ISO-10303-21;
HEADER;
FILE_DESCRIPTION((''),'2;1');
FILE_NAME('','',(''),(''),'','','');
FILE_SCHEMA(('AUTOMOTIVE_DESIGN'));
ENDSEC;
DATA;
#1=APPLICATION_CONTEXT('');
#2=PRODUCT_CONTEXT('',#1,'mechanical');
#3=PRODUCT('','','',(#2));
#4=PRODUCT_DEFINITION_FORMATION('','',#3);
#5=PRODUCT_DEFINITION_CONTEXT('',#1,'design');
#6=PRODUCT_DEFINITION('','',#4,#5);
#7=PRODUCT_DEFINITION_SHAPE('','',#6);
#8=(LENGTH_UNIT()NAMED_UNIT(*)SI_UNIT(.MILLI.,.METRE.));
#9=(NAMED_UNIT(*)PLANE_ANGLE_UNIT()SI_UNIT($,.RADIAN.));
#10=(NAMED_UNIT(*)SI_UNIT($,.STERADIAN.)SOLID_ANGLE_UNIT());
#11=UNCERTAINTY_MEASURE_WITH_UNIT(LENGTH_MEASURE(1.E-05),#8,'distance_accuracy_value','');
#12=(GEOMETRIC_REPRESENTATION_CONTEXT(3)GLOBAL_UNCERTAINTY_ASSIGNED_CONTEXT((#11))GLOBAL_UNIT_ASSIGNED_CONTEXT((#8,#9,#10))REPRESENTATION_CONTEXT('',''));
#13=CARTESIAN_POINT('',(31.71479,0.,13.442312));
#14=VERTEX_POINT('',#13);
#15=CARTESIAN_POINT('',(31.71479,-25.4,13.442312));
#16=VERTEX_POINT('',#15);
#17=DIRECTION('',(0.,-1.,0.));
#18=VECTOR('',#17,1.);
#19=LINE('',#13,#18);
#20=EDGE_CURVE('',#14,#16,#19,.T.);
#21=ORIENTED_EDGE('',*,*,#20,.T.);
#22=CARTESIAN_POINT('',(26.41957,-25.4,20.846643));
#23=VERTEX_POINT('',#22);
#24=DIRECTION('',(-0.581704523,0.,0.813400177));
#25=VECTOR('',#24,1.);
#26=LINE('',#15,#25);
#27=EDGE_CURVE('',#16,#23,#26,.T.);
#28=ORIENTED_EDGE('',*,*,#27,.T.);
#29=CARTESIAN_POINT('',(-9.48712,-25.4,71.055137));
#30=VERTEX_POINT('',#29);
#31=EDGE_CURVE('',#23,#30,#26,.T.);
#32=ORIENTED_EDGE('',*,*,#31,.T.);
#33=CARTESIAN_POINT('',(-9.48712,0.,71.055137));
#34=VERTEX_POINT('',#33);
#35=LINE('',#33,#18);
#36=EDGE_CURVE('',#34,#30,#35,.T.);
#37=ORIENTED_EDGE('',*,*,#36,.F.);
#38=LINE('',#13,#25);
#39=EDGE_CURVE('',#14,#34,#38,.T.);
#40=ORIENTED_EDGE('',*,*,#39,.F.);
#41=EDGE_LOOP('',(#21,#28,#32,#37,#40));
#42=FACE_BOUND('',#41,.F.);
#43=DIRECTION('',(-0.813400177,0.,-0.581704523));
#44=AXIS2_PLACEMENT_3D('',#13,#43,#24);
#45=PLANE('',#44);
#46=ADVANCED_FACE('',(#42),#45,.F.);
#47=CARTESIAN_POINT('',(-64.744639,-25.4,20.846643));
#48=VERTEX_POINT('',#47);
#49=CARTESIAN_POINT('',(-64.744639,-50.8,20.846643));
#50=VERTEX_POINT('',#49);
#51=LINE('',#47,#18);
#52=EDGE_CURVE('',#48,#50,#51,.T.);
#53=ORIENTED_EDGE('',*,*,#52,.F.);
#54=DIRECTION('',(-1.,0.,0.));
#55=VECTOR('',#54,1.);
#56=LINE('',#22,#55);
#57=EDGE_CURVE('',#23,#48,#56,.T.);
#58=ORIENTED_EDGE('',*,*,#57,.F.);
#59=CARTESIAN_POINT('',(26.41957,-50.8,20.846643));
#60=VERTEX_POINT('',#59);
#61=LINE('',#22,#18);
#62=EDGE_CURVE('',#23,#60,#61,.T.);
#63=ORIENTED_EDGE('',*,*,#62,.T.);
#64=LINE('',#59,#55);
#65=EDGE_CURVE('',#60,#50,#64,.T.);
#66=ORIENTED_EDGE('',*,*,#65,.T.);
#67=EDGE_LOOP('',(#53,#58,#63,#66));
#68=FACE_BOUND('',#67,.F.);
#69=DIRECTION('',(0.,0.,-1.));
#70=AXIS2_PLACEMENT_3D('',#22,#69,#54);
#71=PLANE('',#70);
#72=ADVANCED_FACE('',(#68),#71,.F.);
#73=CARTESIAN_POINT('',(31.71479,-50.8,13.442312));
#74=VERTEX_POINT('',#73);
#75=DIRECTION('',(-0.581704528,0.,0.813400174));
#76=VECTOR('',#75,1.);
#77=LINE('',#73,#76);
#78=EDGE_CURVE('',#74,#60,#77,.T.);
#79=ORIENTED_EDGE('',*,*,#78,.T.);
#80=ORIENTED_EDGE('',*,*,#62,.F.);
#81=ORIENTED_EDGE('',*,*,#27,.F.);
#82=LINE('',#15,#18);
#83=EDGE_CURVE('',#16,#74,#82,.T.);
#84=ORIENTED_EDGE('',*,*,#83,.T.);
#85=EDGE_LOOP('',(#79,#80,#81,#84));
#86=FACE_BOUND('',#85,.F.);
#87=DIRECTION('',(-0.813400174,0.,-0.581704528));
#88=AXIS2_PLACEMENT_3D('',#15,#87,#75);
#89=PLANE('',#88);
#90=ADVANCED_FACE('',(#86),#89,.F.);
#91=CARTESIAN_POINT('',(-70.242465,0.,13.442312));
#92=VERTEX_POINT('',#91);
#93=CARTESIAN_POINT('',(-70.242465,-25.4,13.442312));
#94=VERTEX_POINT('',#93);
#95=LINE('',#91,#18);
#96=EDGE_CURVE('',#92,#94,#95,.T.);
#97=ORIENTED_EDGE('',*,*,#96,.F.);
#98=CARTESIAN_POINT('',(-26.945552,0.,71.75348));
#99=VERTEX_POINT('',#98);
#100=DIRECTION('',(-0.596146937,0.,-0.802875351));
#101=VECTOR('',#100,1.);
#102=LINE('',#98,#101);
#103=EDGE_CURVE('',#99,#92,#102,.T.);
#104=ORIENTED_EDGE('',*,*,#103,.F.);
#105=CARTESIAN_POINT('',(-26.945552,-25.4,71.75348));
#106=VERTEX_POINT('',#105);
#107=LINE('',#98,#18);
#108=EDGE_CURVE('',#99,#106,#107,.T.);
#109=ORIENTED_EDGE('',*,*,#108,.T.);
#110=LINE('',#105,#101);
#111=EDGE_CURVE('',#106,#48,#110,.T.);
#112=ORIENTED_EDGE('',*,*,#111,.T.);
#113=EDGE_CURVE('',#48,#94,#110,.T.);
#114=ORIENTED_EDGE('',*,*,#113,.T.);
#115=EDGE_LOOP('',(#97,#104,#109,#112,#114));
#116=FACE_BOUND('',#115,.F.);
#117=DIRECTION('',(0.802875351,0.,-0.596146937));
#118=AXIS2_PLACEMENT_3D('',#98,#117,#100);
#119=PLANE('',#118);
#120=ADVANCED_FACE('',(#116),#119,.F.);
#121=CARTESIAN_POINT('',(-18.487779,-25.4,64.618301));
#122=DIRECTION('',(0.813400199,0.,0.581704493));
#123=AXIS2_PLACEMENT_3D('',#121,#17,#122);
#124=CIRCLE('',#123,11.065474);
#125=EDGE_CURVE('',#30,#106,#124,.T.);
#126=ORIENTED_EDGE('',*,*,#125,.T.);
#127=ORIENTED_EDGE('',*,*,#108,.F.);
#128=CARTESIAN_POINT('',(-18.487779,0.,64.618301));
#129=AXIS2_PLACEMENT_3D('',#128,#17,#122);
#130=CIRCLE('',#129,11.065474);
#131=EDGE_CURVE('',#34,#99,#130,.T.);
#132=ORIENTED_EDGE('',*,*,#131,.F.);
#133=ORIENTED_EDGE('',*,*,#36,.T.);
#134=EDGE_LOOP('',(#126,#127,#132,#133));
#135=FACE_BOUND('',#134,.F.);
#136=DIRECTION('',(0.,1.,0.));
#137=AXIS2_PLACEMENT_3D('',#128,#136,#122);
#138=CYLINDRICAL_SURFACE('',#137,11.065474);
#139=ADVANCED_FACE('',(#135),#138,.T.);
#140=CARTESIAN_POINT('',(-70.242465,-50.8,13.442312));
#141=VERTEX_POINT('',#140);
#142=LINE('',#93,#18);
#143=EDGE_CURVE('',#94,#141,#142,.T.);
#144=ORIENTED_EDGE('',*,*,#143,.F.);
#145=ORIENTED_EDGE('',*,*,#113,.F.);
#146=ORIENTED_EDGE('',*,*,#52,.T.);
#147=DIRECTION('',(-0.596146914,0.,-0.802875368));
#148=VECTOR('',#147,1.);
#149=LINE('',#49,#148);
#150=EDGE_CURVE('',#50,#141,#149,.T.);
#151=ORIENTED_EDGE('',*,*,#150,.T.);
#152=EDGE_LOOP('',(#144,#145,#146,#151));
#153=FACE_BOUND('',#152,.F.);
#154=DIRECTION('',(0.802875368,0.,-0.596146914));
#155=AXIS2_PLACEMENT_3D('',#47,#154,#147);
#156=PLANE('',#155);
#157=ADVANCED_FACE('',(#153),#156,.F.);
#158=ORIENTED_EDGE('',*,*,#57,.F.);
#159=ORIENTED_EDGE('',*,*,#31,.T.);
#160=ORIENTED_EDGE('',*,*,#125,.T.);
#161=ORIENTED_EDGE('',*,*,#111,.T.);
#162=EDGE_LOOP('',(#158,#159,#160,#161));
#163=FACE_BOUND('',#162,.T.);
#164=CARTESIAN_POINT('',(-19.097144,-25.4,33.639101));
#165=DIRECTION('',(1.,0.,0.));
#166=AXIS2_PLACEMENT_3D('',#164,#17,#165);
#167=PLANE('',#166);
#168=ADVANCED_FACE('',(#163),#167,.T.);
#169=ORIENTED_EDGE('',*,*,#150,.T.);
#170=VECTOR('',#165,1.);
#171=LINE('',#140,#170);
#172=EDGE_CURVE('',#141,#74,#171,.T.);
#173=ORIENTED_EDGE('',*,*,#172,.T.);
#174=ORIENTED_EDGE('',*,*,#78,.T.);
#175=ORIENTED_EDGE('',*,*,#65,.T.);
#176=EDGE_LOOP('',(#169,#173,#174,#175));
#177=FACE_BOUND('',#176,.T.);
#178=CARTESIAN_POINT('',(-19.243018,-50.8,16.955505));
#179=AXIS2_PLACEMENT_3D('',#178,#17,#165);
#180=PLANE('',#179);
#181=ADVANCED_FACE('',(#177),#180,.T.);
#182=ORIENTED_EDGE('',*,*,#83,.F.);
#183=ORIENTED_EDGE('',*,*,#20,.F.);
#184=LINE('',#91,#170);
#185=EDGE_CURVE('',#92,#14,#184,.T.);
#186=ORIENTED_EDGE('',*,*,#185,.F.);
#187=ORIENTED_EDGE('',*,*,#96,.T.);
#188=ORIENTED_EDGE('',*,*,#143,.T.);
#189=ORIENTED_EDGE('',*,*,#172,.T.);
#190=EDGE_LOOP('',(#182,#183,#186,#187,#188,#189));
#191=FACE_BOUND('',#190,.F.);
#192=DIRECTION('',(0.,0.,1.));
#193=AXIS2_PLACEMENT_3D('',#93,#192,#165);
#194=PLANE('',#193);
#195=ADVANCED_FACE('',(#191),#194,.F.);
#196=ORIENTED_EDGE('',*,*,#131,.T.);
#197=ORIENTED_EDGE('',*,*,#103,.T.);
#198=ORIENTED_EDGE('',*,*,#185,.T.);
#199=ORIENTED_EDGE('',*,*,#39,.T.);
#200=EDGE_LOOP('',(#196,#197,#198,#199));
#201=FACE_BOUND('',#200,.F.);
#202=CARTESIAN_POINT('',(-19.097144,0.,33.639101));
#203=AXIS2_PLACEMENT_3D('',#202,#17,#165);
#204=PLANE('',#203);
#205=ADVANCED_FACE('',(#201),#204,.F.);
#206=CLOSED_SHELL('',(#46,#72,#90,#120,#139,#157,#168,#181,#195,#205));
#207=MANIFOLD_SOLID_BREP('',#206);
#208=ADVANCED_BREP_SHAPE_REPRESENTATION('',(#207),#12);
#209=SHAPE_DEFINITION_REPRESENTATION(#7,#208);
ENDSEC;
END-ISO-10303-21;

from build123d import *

# Parameters (mm, degrees)
F1_DEPTH = 25.4
F3_DEPTH = 25.4


with BuildPart() as f1:
    # F0 (on Front) → F1 (new body)
    with BuildSketch(Plane.XZ):
        with BuildLine():
            Line((-26.945552, 71.75348), (-70.242465, 13.442312))
            Line((-70.242465, 13.442312), (31.71479, 13.442312))
            Line((31.71479, 13.442312), (-9.48712, 71.055137))
            ThreePointArc((-9.48712, 71.055137), (-18.045509, 75.674933), (-26.945552, 71.75348))
        make_face()
    extrude(amount=F1_DEPTH)

    # F2 (on face) → F3 (join)
    with BuildSketch(Plane.XZ.offset(25.4)):
        Polygon((-64.744639, 20.846643), (-70.242465, 13.442312), (31.71479, 13.442312), (26.41957, 20.846643), align=None)
    extrude(amount=F3_DEPTH)


solid = f1.part
